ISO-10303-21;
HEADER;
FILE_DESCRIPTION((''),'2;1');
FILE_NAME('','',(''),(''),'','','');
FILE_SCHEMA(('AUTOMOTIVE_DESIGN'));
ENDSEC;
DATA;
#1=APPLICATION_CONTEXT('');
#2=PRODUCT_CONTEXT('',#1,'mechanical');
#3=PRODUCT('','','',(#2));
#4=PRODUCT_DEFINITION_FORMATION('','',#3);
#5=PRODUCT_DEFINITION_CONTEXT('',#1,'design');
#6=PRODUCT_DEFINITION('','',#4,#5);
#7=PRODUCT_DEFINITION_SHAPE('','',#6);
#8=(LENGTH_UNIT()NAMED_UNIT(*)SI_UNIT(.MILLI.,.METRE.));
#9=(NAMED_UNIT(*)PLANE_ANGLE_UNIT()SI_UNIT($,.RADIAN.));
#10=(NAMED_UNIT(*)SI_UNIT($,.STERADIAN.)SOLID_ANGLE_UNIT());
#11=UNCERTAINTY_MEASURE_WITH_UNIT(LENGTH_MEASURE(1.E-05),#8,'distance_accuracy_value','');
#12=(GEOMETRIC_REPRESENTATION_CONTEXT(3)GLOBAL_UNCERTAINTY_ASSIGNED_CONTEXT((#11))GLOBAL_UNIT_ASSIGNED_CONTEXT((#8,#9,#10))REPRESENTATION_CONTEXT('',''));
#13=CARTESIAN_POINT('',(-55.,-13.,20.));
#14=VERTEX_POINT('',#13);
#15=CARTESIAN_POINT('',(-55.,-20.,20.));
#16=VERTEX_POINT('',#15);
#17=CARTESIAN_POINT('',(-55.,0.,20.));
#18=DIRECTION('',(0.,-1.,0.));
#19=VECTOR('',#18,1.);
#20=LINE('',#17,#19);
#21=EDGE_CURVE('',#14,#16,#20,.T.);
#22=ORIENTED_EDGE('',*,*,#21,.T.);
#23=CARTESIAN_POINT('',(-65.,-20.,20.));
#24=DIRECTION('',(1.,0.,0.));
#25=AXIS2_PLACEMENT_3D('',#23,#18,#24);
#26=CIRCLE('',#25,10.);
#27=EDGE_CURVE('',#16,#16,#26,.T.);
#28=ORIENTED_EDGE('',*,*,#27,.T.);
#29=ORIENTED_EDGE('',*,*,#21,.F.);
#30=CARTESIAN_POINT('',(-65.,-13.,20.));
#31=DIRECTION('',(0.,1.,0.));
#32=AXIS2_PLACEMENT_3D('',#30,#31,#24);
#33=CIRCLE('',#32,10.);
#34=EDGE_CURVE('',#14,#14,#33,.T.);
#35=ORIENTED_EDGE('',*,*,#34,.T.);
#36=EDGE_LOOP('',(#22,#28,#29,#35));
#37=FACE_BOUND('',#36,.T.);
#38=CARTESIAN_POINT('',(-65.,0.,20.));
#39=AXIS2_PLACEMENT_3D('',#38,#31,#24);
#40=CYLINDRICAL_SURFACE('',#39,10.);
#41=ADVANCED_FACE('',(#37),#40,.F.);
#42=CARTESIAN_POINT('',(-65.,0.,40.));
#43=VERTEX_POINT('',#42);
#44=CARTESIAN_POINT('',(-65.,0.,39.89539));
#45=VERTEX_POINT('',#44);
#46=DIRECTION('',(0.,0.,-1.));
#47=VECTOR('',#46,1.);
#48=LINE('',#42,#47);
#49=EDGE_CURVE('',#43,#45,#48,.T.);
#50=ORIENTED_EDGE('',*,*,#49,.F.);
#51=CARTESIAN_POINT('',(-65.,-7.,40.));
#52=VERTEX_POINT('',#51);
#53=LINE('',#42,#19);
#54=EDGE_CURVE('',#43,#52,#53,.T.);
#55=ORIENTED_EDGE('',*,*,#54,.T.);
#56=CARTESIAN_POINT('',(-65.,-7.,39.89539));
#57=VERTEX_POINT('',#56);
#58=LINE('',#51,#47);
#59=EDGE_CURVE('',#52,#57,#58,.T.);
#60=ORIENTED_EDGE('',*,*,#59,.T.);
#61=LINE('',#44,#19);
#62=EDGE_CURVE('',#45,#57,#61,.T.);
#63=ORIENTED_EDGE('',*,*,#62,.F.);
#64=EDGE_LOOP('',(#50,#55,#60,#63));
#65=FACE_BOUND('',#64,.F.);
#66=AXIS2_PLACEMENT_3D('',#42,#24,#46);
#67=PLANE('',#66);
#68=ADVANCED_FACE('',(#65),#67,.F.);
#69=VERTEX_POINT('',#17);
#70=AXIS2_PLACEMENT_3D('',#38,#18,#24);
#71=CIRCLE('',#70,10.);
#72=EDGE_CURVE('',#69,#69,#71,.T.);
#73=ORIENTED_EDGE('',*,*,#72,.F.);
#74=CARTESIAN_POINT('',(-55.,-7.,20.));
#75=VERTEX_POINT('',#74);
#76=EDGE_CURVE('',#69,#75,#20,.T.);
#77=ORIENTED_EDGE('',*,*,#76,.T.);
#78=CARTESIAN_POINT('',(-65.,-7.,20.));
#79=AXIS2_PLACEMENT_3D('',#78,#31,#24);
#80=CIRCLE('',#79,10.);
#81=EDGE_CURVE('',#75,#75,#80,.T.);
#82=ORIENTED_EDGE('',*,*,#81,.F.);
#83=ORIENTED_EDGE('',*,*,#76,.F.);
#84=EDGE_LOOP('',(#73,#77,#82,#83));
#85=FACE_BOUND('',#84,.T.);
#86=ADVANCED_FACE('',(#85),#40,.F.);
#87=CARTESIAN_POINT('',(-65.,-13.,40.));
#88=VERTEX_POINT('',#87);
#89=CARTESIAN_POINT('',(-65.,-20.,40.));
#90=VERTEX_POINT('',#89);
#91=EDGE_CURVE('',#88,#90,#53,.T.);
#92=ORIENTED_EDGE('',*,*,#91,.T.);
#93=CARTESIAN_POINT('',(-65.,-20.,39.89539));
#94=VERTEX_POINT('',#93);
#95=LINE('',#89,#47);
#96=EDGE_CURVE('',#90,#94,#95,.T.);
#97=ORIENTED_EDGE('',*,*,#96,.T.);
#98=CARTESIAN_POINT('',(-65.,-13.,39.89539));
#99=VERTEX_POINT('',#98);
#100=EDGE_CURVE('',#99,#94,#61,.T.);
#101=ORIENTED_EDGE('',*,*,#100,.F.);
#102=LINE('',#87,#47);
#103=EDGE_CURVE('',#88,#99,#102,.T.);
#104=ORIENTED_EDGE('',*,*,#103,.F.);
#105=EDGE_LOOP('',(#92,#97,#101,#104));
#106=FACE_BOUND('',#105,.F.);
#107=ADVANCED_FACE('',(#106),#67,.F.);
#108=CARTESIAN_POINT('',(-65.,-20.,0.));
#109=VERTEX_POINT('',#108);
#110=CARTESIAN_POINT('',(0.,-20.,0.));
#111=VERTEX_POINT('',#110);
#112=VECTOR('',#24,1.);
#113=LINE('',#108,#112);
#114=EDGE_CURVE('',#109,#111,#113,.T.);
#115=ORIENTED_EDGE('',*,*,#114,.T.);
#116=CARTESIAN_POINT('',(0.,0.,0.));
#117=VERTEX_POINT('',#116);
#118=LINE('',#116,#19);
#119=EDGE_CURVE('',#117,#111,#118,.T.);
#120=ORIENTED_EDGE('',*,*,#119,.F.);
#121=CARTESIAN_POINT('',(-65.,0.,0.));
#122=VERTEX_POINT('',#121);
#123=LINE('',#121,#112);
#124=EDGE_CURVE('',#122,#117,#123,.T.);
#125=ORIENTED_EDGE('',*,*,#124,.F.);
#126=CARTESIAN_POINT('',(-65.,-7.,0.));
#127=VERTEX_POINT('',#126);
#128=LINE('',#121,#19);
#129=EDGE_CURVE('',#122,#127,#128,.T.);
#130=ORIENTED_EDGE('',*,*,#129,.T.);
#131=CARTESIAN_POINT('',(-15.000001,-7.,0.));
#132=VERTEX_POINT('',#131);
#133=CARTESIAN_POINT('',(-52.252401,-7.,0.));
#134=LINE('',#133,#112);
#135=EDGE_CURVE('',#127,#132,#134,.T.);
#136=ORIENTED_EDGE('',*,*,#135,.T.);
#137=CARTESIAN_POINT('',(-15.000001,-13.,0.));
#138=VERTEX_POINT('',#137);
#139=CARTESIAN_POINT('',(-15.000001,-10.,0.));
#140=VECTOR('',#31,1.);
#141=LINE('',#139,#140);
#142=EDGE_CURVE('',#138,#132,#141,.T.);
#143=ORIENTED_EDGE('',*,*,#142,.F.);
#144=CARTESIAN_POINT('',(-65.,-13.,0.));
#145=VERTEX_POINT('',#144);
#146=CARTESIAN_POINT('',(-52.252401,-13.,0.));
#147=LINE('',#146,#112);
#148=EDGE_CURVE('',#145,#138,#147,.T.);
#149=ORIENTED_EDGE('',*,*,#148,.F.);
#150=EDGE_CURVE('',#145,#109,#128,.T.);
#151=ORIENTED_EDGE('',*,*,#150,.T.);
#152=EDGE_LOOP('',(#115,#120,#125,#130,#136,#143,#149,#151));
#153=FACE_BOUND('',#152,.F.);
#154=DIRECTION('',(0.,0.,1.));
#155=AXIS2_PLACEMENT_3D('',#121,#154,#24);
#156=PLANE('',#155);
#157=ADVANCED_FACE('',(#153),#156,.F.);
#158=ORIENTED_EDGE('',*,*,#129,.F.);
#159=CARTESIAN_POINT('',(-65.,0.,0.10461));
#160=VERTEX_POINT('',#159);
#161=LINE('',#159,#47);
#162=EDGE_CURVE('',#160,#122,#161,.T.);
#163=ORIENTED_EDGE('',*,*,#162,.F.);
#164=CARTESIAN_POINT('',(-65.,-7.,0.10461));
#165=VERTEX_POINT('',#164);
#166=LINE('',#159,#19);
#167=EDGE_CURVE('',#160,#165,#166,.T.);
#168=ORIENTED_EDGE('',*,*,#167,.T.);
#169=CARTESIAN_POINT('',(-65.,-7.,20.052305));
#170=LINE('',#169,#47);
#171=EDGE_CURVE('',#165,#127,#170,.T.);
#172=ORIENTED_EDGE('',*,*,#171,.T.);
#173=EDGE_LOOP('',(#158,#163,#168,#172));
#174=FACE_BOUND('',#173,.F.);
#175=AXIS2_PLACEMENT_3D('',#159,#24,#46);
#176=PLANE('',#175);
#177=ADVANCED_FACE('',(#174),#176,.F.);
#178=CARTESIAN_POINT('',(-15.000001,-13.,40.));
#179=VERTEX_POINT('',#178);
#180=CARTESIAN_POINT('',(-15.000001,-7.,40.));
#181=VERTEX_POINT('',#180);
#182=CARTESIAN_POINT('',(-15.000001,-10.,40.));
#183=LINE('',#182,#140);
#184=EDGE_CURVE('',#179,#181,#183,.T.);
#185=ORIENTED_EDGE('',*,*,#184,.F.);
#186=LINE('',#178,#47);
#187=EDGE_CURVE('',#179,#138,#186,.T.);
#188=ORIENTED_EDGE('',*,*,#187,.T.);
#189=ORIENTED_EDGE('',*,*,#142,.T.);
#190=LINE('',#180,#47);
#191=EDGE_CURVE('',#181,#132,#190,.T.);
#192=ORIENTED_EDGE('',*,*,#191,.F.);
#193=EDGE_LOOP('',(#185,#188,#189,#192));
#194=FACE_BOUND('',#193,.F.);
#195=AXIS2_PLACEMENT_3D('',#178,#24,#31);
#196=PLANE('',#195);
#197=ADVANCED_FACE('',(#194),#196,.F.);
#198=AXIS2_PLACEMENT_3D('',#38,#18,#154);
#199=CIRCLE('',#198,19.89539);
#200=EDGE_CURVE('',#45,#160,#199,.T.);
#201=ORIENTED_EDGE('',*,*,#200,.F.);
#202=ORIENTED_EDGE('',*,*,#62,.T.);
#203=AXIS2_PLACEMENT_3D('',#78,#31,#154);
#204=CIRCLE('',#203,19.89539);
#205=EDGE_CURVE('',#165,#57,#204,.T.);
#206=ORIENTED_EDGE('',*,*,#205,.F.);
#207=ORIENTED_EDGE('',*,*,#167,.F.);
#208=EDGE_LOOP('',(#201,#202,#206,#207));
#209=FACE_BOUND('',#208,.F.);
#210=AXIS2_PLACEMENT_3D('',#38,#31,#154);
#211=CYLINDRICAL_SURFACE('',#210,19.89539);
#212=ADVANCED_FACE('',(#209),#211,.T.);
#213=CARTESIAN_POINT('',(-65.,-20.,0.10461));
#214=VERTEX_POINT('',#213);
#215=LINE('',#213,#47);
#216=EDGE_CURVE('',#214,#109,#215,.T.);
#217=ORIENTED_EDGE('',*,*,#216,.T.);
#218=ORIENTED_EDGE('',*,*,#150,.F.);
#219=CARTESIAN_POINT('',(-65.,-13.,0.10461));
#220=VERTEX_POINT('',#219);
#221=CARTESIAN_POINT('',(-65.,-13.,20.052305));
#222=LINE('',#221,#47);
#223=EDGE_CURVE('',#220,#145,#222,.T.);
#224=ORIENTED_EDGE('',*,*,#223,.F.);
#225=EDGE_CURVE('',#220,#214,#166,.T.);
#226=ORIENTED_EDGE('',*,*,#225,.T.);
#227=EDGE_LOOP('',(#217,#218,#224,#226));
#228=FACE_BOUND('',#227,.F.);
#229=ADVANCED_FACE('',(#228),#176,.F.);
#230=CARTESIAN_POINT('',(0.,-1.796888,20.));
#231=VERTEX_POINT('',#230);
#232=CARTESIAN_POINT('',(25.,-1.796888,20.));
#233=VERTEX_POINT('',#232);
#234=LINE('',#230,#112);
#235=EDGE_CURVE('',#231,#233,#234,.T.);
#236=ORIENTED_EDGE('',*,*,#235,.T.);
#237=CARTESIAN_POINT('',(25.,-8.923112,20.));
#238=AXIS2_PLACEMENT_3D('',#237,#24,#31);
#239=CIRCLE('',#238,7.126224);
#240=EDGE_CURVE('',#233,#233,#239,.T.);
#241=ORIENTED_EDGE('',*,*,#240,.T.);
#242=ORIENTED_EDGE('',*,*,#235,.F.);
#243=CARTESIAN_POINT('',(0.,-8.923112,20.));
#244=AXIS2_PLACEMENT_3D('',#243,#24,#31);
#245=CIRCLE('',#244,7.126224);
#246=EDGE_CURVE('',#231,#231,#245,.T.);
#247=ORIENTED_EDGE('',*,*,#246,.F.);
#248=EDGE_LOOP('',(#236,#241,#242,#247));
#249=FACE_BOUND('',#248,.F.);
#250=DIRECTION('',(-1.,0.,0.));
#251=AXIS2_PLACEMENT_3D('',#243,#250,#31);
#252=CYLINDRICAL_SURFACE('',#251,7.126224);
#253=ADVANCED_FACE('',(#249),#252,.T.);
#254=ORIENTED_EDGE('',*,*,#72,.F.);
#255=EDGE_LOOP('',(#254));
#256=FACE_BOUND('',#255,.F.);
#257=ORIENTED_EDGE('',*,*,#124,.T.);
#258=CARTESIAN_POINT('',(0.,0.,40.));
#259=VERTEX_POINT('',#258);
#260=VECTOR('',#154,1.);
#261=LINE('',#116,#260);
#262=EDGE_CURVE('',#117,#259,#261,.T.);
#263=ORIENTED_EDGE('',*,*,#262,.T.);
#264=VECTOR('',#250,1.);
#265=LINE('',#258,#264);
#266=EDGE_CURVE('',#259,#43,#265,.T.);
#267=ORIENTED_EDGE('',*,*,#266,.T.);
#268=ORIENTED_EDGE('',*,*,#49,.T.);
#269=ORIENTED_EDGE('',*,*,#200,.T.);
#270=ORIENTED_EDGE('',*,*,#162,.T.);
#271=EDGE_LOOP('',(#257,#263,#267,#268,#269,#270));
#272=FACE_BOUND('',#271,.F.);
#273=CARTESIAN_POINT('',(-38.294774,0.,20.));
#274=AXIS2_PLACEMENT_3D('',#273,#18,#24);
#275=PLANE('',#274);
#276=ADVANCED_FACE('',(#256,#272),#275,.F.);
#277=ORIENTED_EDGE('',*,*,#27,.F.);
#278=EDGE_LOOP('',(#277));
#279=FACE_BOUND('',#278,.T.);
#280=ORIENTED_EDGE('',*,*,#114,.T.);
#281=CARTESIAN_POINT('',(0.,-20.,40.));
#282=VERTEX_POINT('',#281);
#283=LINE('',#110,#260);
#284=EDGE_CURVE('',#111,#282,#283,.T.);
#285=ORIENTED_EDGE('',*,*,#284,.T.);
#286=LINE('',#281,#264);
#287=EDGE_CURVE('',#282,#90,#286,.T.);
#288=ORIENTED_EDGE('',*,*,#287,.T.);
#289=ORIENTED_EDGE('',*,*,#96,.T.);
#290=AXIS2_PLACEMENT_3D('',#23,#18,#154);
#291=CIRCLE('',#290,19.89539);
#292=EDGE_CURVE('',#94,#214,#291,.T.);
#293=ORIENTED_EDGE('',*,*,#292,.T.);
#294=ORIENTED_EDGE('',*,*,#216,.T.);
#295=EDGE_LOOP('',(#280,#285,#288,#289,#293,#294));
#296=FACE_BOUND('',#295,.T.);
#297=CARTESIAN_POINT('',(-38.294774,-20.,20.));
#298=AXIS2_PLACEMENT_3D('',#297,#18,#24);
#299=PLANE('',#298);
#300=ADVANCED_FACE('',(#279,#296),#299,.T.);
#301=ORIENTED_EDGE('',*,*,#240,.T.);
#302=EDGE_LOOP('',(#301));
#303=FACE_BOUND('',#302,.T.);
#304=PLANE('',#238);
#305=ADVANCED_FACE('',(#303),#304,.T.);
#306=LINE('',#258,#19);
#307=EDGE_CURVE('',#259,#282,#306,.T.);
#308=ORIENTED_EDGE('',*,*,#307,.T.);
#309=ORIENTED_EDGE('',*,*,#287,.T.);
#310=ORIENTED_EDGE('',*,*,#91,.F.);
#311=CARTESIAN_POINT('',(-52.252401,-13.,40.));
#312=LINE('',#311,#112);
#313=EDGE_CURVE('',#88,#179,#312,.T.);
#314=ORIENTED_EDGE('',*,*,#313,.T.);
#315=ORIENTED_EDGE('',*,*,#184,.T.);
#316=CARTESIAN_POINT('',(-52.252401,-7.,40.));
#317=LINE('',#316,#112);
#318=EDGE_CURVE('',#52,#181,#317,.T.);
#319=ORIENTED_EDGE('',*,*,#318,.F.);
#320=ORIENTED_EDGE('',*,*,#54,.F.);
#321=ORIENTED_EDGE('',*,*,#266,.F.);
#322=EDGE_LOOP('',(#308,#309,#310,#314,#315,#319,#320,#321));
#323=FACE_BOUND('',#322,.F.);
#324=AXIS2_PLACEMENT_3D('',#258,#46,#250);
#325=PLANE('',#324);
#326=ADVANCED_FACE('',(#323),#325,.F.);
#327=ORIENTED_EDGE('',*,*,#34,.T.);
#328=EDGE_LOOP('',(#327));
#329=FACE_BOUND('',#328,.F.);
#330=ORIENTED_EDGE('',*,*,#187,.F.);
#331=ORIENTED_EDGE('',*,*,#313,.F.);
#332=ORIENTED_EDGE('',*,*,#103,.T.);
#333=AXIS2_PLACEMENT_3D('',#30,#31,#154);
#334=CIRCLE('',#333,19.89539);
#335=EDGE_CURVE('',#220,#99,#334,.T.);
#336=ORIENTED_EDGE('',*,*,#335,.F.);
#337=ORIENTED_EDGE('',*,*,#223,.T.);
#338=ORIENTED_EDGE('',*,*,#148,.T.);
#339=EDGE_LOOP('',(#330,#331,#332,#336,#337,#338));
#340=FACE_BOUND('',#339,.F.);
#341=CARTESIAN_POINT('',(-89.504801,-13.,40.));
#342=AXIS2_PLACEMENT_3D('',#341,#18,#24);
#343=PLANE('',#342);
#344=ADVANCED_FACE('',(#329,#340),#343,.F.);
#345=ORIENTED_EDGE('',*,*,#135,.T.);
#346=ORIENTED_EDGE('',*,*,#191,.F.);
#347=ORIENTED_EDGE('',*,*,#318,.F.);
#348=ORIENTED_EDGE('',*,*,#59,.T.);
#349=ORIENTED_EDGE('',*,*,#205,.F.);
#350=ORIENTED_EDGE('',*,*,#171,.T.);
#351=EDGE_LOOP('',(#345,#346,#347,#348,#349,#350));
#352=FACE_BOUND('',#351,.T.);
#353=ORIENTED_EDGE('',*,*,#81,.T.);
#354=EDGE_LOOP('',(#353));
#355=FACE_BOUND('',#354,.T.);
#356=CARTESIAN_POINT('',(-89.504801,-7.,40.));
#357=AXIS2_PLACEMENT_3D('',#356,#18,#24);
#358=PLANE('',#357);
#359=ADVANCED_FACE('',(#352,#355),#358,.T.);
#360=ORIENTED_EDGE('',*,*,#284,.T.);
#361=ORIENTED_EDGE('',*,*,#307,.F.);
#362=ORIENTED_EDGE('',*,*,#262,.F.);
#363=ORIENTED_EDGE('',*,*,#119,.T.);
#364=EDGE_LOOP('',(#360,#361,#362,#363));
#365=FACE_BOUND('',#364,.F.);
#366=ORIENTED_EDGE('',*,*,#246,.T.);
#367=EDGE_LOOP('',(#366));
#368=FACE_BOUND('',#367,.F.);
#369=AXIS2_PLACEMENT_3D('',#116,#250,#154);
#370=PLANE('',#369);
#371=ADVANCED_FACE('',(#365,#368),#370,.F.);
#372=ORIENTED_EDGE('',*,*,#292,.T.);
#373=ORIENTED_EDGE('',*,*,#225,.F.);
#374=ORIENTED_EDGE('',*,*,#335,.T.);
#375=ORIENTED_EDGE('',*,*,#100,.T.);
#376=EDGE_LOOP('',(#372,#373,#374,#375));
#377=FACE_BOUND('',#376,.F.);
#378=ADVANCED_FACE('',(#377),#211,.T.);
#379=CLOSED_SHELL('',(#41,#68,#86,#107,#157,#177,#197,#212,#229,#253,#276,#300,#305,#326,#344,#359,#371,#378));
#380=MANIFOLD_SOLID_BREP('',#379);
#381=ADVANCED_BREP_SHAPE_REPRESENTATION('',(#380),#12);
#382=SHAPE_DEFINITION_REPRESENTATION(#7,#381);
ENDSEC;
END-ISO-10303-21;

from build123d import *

# Parameters (mm, degrees)
F0_R     = 10
F1_DEPTH = 20
F2_W     = 74.504801
F2_H     = 6
F3_DEPTH = 40
F4_R     = 7.126224
F5_DEPTH = 25


with BuildPart() as f1:
    # F0 (on Front) → F1 (new body)
    with BuildSketch(Plane.XZ):
        with BuildLine():
            Line((-65, 0), (0, 0))
            Line((0, 0), (0, 40))
            Line((0, 40), (-65, 40))
            Line((-65, 40), (-65, 39.89539))
            ThreePointArc((-65, 39.89539), (-84.89539, 20), (-65, 0.10461))
            Line((-65, 0.10461), (-65, 0))
        make_face()
        with Locations((-65, 20)):
            Circle(F0_R, mode=Mode.SUBTRACT)
    extrude(amount=F1_DEPTH)

    # F2 (on face) → F3 (cut, through all)
    with BuildSketch(Plane.XY.offset(40)):
        with Locations((-52.252401, -10)):
            Rectangle(F2_W, F2_H)
    extrude(amount=-F3_DEPTH, mode=Mode.SUBTRACT)

    # F4 (on face) → F5 (join)
    with BuildSketch(Plane.YZ):
        with Locations((-8.923112, 20)):
            Circle(F4_R)
    extrude(amount=F5_DEPTH)


solid = f1.part
